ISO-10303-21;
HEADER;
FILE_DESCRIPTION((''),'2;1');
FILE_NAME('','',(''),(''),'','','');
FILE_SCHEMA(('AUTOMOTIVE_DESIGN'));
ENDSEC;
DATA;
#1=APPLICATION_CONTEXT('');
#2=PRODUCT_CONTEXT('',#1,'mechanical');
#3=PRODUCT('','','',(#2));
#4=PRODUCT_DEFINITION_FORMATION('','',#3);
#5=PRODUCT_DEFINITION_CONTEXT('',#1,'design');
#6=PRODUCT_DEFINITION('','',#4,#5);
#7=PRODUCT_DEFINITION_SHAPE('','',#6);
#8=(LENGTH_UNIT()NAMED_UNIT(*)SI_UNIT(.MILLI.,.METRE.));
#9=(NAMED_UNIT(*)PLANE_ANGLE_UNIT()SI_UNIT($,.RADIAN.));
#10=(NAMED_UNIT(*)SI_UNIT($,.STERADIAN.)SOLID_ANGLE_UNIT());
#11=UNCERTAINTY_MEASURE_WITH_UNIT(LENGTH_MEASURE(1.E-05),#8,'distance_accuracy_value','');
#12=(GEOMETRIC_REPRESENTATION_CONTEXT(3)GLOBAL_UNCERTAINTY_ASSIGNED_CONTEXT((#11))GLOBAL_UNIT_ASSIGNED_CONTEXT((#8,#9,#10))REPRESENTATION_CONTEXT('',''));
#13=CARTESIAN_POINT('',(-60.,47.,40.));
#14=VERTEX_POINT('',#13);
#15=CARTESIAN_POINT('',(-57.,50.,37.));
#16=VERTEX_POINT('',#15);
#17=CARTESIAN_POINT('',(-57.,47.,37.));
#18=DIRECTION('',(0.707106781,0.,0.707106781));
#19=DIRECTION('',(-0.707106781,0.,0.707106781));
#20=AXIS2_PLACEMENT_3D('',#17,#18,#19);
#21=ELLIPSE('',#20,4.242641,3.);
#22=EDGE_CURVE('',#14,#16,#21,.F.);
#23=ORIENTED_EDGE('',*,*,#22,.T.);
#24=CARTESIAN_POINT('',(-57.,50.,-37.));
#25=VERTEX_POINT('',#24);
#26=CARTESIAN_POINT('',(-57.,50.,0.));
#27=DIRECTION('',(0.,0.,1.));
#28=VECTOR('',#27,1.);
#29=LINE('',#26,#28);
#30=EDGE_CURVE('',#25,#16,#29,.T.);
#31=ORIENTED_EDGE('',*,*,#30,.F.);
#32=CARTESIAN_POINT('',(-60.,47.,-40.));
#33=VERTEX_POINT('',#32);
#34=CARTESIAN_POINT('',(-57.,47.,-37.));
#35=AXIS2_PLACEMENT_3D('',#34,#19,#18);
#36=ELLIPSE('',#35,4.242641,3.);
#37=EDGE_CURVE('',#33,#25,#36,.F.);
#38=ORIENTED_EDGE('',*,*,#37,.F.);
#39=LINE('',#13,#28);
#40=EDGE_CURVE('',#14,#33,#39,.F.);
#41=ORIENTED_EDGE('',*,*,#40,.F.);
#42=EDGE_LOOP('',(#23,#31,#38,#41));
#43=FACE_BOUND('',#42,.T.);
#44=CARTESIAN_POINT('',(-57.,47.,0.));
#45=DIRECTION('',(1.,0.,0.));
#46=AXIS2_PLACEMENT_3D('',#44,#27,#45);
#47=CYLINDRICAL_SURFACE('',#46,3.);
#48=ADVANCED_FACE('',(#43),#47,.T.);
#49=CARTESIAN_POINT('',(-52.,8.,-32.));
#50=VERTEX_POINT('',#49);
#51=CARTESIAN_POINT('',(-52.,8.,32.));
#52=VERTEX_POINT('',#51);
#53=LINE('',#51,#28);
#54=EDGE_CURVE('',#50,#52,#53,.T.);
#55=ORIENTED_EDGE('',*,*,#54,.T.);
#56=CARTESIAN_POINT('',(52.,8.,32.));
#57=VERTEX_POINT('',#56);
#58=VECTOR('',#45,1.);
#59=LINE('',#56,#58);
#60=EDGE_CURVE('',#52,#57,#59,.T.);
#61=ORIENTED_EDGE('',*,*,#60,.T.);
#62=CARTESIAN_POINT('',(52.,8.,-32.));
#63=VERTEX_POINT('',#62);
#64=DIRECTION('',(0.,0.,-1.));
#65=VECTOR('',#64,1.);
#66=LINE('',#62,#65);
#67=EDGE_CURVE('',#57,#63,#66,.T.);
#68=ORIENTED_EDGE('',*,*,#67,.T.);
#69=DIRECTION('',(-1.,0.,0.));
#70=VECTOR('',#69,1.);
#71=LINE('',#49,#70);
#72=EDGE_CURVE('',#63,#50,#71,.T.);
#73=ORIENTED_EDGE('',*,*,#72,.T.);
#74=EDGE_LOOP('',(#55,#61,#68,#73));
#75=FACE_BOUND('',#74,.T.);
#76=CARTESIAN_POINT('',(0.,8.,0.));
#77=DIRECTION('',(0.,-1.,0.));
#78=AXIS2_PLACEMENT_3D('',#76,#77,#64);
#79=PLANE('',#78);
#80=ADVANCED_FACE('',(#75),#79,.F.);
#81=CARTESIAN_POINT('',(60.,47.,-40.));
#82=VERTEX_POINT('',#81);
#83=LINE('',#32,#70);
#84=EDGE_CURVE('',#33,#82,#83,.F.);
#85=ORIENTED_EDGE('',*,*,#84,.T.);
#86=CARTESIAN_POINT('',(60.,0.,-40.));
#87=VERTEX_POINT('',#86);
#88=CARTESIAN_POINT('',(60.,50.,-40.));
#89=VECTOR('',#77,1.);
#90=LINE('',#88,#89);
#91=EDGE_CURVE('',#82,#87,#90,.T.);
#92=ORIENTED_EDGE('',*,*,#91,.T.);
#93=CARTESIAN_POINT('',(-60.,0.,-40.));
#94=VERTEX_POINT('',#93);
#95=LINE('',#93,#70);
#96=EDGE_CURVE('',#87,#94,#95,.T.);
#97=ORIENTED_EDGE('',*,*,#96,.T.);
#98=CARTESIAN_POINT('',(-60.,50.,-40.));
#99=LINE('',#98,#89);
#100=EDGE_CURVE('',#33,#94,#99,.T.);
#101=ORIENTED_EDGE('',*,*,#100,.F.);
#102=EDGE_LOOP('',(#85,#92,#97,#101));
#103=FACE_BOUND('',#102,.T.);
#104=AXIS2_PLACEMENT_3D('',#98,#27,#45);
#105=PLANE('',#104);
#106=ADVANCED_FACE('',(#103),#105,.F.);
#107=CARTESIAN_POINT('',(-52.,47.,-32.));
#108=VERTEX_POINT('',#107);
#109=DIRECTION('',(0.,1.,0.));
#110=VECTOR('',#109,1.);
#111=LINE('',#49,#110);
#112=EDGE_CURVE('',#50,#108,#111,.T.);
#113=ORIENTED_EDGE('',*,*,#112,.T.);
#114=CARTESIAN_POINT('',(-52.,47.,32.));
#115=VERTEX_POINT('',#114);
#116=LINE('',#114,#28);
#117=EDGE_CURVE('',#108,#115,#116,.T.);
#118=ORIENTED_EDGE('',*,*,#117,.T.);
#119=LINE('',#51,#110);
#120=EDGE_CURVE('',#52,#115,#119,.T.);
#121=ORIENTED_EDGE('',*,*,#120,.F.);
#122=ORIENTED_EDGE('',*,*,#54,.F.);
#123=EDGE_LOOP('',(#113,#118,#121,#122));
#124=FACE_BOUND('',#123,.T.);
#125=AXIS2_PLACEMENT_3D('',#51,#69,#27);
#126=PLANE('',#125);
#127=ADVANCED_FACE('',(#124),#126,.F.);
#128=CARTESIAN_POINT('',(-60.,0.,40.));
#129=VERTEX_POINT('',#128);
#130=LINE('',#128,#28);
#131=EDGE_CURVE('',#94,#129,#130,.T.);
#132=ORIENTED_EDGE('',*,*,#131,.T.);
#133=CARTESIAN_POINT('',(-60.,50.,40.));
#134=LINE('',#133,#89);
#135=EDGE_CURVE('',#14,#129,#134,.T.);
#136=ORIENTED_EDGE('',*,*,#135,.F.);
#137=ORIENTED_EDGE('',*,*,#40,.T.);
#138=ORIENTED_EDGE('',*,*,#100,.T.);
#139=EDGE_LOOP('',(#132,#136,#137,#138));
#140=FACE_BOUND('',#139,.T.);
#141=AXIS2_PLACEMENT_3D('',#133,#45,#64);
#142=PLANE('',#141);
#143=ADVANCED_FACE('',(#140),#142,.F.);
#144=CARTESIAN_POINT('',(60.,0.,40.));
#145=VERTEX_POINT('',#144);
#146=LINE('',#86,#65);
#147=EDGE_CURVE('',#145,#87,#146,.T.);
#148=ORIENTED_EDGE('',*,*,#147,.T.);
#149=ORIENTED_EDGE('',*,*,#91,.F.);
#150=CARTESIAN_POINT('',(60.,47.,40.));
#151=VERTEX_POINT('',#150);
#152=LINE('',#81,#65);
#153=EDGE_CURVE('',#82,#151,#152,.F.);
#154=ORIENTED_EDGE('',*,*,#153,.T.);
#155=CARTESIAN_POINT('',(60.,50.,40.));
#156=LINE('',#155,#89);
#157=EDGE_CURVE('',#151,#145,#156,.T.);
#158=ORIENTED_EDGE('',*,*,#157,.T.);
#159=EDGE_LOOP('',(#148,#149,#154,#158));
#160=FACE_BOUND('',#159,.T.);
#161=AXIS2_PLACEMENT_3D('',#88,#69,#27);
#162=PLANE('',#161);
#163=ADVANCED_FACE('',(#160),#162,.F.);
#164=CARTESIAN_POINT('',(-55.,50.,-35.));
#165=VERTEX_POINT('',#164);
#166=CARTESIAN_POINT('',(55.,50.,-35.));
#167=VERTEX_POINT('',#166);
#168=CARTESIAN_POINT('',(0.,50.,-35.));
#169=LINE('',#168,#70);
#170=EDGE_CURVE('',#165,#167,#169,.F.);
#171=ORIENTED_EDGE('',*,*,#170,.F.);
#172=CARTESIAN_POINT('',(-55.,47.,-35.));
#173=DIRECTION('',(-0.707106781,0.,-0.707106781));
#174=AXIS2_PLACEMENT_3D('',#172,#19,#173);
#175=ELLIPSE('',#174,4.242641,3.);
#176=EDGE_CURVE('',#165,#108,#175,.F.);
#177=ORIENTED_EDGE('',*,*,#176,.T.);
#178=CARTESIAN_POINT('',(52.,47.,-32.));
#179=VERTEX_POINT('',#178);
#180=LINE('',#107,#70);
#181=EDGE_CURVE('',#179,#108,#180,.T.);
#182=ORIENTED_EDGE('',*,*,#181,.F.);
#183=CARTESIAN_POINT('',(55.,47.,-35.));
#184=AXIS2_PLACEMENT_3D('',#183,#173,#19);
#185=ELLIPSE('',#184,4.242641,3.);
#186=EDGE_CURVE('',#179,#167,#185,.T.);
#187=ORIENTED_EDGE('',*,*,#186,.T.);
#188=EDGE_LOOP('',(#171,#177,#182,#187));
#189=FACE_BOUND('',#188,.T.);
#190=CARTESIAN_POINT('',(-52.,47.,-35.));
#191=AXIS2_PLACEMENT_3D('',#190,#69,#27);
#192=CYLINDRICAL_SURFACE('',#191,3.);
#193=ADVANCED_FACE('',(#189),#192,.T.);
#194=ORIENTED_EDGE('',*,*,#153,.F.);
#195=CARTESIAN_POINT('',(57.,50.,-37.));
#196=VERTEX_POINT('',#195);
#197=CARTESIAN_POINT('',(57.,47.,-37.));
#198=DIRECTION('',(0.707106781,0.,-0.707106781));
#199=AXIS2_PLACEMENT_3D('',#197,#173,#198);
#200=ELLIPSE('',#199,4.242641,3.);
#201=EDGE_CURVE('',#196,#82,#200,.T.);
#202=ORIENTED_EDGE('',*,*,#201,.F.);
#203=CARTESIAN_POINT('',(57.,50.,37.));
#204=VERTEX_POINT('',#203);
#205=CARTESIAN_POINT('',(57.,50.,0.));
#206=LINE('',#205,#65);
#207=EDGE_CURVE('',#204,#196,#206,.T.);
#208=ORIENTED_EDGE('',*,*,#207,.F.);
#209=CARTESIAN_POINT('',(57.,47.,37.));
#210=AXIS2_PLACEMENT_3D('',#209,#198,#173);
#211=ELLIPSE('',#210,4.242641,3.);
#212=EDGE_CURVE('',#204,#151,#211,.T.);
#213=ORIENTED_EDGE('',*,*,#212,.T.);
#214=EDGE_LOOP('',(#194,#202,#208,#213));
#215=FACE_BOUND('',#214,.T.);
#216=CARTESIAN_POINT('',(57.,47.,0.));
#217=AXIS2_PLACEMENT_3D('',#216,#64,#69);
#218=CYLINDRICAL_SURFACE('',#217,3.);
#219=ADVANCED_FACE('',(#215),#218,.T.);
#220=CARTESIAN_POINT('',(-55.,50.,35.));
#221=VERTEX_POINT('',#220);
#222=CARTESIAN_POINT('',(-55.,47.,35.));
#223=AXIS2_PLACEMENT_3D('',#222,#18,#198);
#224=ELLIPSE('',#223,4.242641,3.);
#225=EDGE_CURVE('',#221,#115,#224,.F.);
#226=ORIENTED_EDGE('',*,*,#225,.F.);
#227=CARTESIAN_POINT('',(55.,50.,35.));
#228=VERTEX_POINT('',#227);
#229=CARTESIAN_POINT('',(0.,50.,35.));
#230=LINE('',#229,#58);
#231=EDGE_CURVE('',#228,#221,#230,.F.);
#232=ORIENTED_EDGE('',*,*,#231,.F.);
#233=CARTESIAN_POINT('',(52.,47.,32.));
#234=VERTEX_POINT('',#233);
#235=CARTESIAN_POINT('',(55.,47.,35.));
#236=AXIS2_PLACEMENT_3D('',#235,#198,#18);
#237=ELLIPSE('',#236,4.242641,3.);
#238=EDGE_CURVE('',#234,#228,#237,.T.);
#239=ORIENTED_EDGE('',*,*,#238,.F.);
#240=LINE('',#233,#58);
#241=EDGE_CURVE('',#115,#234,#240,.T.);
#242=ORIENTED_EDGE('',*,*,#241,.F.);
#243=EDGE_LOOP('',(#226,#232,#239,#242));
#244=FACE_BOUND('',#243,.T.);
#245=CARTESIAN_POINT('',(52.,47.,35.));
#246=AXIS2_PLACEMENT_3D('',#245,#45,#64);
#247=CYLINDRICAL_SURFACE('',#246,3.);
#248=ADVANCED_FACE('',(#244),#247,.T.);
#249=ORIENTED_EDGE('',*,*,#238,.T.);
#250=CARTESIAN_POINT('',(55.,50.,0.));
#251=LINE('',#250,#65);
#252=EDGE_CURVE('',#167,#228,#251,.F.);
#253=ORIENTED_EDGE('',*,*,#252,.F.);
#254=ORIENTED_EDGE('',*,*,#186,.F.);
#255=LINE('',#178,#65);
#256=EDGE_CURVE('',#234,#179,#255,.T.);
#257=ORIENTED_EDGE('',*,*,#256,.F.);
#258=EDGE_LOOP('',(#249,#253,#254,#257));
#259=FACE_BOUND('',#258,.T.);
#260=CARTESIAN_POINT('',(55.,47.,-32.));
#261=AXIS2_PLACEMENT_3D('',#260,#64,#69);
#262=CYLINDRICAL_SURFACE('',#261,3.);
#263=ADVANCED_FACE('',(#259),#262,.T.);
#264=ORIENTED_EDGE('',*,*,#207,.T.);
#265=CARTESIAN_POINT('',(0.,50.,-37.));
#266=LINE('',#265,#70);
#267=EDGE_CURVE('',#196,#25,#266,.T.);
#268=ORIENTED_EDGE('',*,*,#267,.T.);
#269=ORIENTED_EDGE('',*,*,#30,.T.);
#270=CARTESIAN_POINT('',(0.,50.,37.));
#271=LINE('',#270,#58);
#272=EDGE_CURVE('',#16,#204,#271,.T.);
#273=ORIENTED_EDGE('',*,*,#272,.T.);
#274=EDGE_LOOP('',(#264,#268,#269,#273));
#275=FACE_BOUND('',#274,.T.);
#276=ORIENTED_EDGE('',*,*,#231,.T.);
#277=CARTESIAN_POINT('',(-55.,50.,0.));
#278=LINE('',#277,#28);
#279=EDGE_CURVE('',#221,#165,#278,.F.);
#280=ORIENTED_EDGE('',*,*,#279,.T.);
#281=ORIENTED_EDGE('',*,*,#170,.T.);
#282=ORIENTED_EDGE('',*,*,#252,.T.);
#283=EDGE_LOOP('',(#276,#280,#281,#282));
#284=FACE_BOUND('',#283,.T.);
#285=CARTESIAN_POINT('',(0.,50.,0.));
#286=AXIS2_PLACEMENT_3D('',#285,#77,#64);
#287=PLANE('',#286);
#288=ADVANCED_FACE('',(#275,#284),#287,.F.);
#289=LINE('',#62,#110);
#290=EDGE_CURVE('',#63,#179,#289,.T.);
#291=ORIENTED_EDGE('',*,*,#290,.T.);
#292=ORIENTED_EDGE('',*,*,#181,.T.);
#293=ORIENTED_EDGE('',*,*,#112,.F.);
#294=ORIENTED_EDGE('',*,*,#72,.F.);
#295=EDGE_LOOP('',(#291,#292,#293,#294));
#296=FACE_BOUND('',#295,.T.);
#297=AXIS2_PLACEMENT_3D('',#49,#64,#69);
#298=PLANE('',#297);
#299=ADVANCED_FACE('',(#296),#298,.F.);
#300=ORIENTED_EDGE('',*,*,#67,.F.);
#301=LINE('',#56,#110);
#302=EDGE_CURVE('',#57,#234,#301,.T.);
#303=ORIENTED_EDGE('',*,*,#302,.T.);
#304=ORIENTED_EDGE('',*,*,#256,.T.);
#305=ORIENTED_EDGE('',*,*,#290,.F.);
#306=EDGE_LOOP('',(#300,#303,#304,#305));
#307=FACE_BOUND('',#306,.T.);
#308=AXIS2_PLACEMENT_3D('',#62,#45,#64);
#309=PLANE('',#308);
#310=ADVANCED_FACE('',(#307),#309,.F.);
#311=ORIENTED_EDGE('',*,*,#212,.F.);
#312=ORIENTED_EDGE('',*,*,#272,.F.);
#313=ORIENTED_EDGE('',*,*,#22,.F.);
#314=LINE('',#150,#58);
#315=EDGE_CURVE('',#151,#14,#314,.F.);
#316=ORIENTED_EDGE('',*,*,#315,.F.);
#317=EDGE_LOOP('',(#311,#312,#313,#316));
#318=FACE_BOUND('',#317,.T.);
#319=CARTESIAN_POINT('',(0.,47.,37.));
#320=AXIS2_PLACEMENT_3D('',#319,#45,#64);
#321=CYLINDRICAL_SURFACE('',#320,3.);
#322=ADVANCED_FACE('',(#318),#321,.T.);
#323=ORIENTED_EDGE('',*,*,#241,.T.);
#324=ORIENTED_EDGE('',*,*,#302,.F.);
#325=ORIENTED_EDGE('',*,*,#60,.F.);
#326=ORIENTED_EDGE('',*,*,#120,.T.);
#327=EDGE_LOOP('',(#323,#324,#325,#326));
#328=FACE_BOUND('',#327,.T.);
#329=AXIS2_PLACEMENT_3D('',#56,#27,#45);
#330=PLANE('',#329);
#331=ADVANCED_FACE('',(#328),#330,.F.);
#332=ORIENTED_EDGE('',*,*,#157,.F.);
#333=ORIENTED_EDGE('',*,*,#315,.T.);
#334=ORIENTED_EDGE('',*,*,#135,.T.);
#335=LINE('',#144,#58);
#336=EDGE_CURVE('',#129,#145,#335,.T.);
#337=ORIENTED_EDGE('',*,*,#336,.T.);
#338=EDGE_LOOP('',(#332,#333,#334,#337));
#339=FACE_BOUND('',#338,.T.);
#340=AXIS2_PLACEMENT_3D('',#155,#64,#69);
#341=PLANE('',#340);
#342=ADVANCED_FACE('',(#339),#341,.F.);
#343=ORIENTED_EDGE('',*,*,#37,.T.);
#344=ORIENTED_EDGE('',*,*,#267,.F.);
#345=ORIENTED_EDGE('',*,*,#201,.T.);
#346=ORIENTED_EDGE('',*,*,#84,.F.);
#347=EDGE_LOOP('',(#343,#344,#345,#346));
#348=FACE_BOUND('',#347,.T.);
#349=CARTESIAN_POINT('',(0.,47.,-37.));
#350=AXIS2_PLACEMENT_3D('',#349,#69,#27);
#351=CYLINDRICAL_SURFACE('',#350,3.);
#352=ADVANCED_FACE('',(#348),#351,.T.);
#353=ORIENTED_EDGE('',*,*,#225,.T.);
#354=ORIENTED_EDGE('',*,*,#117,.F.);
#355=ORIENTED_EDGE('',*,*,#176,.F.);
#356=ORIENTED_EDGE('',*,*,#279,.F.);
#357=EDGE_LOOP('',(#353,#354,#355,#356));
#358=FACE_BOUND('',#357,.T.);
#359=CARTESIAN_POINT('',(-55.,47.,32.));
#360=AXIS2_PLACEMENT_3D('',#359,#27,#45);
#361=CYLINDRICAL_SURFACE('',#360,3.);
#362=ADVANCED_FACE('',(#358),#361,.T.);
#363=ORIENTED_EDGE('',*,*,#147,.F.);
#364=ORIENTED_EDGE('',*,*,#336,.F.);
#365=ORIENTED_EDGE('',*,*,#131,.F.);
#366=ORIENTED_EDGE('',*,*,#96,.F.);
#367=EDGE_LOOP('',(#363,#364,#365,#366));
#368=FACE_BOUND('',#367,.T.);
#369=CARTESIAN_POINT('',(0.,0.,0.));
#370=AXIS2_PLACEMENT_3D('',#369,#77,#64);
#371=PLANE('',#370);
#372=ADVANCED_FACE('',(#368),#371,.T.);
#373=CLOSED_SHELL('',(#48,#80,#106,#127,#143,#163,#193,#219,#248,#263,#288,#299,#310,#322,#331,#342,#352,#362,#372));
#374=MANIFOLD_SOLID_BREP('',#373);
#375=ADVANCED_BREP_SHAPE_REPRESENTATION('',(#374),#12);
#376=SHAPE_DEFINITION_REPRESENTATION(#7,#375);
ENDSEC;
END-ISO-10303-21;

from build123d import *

# Parameters (mm, degrees)
SKETCH_1_W          = 120
SKETCH_1_H          = 80
EXTRUDE_1_DEPTH     = 50
SKETCH_2_W          = 104
SKETCH_2_H          = 64
CUT_EXTRUDE_1_DEPTH = 42
FILLET_1_R          = 3


with BuildPart() as part:
    # 草图1 → 凸台-拉伸1 (new body)
    with BuildSketch(Plane(origin=(0, 0, 0), x_dir=(1, 0, 0), z_dir=(0, 1, 0))):
        Rectangle(SKETCH_1_W, SKETCH_1_H)
    extrude(amount=EXTRUDE_1_DEPTH)

    # 草图2 → 切除-拉伸1 (cut)
    with BuildSketch(Plane(origin=(0, 50, 0), x_dir=(1, 0, 0), z_dir=(0, 1, 0))):
        Rectangle(SKETCH_2_W, SKETCH_2_H)
    extrude(amount=-CUT_EXTRUDE_1_DEPTH, mode=Mode.SUBTRACT)

    # 圆角1
    fillet_1_edges = [part.edges().sort_by_distance(p)[0] for p in [
        (60, 50, 0),
        (0, 50, -40),
        (-52, 50, 0),
        (0, 50, 32),
        (52, 50, 0),
        (0, 50, -32),
        (-60, 50, 0),
        (0, 50, 40),
    ]]
    fillet(fillet_1_edges, radius=FILLET_1_R)


solid = part.part
